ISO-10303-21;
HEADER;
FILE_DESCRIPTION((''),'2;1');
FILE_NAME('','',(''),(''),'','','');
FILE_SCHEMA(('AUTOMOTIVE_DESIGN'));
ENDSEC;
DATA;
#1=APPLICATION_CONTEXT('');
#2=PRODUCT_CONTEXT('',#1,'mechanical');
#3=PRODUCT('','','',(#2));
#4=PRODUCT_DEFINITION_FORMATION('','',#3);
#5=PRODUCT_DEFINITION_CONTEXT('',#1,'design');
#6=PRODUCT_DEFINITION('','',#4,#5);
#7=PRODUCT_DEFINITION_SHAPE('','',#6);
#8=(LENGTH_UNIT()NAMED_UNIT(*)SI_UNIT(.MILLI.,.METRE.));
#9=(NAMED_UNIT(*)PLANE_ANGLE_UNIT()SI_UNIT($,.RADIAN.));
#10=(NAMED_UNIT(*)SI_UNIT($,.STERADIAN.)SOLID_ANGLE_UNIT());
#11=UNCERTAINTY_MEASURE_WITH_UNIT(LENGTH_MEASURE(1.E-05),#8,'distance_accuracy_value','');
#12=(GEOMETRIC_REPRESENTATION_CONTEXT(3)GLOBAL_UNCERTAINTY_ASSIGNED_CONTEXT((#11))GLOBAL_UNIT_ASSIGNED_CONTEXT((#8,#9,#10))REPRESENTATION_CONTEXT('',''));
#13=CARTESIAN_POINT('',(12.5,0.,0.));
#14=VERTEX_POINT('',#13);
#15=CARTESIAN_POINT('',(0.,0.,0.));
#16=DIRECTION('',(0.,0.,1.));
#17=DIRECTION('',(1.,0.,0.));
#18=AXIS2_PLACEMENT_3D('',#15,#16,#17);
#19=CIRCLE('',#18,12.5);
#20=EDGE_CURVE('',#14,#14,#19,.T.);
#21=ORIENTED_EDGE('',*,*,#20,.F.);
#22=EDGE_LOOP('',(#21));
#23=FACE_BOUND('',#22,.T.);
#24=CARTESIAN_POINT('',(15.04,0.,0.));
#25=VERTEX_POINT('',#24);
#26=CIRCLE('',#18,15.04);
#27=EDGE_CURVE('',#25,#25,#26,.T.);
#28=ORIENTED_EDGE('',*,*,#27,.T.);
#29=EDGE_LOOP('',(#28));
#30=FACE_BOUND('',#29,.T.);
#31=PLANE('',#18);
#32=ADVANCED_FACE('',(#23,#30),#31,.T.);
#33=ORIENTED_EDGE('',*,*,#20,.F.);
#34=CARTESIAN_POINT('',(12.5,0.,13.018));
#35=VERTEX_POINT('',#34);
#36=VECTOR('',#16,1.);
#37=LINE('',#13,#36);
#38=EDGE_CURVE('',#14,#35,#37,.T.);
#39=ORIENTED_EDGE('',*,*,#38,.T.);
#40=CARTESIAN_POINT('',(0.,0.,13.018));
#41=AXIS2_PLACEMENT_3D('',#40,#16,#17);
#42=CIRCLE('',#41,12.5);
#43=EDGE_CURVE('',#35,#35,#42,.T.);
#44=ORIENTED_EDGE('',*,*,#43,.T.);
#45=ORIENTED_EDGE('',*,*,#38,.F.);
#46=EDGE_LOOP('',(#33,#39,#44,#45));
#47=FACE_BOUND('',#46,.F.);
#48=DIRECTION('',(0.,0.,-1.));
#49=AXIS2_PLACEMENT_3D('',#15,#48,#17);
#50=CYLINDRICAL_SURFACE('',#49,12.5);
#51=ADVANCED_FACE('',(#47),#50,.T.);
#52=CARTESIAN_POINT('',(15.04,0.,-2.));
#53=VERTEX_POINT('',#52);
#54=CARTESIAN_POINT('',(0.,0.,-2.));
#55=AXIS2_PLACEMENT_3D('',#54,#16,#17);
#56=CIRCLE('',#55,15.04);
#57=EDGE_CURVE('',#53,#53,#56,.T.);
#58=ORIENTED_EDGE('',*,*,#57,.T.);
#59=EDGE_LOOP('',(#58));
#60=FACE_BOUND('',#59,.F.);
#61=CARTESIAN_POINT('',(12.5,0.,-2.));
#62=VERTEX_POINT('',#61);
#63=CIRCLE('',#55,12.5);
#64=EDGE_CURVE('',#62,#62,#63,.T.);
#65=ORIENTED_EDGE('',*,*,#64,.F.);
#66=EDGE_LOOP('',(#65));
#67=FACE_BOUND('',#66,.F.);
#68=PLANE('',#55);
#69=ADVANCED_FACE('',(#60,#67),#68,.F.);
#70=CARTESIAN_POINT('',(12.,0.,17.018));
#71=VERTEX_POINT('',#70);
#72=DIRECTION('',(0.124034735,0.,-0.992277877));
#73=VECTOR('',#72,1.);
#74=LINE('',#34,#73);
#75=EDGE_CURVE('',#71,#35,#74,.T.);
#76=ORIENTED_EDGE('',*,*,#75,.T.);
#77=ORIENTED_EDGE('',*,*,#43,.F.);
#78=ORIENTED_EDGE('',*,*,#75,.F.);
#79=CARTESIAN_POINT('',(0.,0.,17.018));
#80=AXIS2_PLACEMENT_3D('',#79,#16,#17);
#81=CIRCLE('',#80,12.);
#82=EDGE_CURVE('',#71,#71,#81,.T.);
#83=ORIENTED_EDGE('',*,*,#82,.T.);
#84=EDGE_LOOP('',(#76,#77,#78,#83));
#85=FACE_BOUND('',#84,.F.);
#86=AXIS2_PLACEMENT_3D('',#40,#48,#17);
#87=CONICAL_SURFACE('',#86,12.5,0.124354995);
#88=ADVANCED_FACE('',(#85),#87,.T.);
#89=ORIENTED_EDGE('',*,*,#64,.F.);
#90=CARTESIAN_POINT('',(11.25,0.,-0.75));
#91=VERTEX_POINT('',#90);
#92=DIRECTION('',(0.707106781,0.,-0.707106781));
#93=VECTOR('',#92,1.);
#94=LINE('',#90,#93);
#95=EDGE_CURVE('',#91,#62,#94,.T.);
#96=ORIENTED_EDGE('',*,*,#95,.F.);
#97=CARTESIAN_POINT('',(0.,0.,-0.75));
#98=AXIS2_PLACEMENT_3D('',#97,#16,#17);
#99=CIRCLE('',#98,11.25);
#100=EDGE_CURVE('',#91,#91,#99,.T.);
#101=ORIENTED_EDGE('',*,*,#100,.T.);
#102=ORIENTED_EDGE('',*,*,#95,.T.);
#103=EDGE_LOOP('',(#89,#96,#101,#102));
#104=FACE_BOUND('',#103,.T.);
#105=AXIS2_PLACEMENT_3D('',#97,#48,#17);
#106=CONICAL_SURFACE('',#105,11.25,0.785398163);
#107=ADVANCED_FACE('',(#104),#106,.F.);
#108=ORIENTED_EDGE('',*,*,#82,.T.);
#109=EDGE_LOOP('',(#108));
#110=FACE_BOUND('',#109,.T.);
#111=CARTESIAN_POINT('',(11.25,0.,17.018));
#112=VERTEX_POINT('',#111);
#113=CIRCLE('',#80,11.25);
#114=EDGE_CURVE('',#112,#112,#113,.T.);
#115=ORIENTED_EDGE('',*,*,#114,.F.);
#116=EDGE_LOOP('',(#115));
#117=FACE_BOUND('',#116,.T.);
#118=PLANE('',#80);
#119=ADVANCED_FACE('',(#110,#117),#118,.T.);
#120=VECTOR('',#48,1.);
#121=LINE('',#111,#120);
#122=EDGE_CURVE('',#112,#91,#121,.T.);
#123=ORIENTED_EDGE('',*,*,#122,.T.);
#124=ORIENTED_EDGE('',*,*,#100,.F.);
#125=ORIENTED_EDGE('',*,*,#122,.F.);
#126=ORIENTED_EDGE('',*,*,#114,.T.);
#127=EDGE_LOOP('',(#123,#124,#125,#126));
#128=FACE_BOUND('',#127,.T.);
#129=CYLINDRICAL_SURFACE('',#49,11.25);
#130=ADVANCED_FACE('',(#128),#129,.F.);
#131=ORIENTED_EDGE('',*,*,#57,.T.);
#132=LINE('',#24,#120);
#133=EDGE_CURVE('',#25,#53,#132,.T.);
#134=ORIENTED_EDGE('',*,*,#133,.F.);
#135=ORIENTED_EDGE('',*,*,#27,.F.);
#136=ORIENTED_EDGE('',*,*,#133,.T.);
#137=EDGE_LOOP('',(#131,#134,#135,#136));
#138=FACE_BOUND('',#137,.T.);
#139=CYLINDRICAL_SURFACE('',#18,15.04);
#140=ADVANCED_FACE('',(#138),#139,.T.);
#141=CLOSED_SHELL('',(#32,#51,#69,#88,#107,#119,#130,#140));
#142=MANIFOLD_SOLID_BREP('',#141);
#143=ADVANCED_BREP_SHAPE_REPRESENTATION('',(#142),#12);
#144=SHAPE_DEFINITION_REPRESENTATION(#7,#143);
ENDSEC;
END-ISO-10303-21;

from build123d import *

# Parameters (mm, degrees)
F1_R     = 15.04
F1_R_2   = 12.5
F1_R_3   = 11.25
F2_DEPTH = 2
F3_DEPTH = 17.018
F4_SIZE2 = 4
F4_SIZE  = 0.5
F5_SIZE  = 1.25


with BuildPart() as f2:
    # F1 (on Top) → F2 (new body)
    with BuildSketch(Plane.XY):
        Circle(F1_R)
        Circle(F1_R_2, mode=Mode.SUBTRACT)
        Circle(F1_R_2)
        Circle(F1_R_3, mode=Mode.SUBTRACT)
    extrude(amount=-F2_DEPTH)

    # F1 (on Top) → F3 (join)
    with BuildSketch(Plane.XY):
        Circle(F1_R_2)
        Circle(F1_R_3, mode=Mode.SUBTRACT)
    extrude(amount=F3_DEPTH)

    # F4
    f4_edges = [f2.edges().sort_by_distance(p)[0] for p in [
        (-12.5, 0, 17.018),
    ]]
    f4_side = f2.faces().sort_by_distance((-12.146447, 0, 17.018))[0]
    chamfer(f4_edges, length=F4_SIZE, length2=F4_SIZE2, reference=f4_side)

    # F5
    f5_edges = [f2.edges().sort_by_distance(p)[0] for p in [
        (-11.25, 0, -2),
    ]]
    chamfer(f5_edges, length=F5_SIZE)


solid = f2.part
